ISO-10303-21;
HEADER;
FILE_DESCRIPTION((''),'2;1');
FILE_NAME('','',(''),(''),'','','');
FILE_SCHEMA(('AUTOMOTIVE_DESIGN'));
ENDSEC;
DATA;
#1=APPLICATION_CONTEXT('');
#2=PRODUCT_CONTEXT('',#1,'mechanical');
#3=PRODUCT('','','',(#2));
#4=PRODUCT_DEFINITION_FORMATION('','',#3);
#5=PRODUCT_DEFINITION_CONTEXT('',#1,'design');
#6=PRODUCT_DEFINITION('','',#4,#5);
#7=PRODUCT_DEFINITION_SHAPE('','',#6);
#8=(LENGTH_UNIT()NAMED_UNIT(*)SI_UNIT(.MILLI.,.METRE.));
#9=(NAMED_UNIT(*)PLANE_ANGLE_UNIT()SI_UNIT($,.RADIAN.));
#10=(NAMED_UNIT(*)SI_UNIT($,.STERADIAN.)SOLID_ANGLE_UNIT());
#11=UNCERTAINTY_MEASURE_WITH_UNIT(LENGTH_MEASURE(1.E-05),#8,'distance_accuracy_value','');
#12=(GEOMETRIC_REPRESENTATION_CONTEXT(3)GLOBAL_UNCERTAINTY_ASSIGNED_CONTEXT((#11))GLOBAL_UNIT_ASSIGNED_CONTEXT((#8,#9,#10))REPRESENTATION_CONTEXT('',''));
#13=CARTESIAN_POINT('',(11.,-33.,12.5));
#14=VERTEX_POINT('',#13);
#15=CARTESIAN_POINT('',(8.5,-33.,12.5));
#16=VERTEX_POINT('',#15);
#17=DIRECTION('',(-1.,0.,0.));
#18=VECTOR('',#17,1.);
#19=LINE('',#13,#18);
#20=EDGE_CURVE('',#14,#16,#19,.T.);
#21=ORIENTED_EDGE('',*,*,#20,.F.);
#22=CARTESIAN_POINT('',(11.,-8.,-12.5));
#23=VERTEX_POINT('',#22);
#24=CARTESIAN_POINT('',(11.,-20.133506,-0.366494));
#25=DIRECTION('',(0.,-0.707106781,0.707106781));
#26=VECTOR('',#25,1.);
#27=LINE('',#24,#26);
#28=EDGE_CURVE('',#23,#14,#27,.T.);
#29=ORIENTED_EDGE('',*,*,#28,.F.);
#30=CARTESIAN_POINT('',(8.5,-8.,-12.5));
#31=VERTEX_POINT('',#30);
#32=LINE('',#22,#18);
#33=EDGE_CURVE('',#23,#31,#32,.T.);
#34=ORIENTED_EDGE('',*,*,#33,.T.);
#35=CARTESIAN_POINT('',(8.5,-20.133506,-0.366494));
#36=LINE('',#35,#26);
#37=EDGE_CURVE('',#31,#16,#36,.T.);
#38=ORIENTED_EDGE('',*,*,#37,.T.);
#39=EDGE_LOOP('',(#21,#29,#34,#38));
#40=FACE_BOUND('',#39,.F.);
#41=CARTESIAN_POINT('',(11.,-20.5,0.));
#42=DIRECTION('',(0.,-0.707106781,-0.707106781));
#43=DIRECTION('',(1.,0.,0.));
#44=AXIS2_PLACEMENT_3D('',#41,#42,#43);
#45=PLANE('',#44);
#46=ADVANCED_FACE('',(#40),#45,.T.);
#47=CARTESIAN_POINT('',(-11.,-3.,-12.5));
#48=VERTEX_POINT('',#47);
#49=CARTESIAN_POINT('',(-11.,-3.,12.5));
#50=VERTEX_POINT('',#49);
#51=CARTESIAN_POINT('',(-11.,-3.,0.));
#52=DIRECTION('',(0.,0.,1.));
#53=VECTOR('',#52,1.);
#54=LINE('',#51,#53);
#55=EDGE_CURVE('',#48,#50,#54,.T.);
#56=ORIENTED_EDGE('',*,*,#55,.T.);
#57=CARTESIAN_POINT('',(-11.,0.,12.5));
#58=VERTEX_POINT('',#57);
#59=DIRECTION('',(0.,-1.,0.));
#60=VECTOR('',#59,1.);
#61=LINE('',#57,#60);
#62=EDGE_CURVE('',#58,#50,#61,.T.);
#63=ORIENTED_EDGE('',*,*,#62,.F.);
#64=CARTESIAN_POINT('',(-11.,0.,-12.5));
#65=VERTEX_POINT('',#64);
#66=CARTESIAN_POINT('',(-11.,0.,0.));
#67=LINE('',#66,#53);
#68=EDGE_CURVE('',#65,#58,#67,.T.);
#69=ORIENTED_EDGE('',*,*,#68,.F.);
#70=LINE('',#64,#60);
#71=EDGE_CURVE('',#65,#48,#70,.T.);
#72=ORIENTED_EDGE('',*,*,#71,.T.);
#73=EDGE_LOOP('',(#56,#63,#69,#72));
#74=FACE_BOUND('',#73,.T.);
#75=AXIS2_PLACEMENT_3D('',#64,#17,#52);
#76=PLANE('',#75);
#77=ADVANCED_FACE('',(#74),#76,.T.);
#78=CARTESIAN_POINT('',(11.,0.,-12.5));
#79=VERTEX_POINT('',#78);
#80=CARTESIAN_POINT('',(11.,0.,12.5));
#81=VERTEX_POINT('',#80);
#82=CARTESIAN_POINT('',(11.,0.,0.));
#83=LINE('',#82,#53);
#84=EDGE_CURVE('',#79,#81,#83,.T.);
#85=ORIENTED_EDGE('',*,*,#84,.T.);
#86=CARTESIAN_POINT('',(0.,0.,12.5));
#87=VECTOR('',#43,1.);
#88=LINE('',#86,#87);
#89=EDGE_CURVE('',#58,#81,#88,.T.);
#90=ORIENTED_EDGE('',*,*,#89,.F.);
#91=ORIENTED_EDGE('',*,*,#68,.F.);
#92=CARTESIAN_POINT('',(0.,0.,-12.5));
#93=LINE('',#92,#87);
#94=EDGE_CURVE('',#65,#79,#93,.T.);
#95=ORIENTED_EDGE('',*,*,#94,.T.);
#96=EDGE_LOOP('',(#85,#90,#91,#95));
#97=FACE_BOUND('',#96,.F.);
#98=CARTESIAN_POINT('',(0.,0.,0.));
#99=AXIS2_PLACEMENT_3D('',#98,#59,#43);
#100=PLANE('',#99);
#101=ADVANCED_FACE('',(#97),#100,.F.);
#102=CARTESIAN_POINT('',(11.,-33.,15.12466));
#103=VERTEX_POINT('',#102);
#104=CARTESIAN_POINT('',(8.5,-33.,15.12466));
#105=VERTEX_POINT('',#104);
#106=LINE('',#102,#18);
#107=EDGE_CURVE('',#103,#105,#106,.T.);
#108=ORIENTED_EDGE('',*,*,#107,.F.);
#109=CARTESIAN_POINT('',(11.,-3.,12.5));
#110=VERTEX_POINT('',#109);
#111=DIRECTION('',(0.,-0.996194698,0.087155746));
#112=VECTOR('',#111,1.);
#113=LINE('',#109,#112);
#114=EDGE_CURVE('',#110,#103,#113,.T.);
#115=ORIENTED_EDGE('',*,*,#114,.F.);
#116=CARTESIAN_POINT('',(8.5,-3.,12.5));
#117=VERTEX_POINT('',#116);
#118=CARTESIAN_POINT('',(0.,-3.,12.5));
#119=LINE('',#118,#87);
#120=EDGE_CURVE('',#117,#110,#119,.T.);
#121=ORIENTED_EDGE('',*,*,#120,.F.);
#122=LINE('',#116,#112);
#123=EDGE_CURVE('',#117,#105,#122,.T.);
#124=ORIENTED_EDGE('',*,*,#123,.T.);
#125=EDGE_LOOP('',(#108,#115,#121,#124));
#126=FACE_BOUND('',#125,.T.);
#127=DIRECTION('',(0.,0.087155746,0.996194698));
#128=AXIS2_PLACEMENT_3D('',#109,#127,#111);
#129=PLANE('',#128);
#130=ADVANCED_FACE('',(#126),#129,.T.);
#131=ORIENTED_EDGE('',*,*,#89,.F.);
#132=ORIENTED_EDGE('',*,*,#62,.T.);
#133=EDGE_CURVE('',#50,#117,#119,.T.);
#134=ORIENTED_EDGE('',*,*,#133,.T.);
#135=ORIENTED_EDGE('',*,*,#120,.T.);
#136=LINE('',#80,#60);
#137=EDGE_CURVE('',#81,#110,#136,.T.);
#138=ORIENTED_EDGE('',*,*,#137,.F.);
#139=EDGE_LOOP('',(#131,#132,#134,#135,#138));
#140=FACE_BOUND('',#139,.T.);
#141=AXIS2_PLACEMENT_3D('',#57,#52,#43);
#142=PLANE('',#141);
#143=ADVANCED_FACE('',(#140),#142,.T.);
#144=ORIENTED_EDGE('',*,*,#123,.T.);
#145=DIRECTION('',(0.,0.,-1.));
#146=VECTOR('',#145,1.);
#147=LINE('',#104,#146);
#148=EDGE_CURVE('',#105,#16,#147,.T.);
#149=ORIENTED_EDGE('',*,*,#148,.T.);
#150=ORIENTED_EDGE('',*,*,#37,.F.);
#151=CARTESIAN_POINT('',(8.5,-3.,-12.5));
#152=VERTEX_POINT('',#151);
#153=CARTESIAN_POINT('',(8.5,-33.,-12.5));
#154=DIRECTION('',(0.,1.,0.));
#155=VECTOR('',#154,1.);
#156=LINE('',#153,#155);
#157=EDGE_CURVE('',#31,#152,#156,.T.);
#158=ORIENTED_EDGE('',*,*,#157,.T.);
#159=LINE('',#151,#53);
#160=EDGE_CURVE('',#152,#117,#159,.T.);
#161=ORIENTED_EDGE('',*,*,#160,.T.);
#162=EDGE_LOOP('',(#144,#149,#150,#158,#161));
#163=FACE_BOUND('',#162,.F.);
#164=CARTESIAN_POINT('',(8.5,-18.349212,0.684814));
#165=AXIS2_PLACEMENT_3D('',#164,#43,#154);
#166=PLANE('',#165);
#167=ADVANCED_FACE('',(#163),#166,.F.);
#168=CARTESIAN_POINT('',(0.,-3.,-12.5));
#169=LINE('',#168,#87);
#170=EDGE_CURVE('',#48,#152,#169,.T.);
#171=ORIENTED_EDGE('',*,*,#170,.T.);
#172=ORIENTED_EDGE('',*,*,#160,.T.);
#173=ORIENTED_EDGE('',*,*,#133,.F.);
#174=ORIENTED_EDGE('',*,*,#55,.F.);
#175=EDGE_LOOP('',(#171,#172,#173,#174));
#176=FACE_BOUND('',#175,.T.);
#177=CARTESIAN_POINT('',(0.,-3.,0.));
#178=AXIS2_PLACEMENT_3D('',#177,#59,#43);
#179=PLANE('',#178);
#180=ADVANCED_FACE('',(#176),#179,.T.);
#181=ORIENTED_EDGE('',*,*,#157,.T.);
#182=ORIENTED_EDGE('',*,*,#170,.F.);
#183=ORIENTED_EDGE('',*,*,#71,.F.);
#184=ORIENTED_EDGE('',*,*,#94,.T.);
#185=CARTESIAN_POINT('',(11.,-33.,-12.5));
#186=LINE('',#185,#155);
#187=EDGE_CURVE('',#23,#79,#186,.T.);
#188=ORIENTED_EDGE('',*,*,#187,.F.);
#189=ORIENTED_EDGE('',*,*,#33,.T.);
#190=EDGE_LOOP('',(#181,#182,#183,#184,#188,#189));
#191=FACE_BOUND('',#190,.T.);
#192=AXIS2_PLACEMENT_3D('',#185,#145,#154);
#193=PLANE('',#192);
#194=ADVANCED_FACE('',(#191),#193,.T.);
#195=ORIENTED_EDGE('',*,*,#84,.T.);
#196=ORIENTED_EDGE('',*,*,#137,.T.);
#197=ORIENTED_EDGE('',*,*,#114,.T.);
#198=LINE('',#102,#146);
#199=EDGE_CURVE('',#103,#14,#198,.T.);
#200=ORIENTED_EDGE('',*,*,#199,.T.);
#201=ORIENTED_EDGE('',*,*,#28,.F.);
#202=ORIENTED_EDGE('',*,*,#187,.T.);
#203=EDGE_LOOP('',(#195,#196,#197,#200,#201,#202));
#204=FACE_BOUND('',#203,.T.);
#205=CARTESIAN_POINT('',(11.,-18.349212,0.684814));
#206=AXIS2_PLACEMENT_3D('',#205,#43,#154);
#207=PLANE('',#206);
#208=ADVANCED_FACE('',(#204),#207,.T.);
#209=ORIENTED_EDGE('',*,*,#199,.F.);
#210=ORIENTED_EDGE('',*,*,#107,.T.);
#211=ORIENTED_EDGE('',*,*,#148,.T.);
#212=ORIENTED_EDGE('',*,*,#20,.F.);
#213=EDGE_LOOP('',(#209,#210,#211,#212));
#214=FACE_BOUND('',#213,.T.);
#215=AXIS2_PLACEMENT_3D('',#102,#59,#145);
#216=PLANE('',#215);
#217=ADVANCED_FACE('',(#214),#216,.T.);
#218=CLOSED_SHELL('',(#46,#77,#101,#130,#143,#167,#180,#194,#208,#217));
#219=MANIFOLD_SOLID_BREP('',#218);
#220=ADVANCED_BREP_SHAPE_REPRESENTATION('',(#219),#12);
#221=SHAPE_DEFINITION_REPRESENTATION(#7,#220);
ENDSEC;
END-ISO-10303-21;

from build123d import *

# Parameters (mm, degrees)
F0_W     = 22
F0_H     = 25
F1_DEPTH = 3
F3_DEPTH = 2.5
F4_SIZE  = 25


with BuildPart() as f1:
    # F0 (on Front) → F1 (new body)
    with BuildSketch(Plane.XZ):
        Rectangle(F0_W, F0_H)
    extrude(amount=F1_DEPTH)

    # F2 (on face) → F3 (join)
    with BuildSketch(Plane.YZ.offset(11)):
        Polygon((-3, -12.5), (-3, 12.5), (-33, 15.12466), (-33, -12.5), align=None)
    extrude(amount=-F3_DEPTH)

    # F4
    f4_edges = [f1.edges().sort_by_distance(p)[0] for p in [
        (9.75, -33, -12.5),
    ]]
    chamfer(f4_edges, length=F4_SIZE)


solid = f1.part
